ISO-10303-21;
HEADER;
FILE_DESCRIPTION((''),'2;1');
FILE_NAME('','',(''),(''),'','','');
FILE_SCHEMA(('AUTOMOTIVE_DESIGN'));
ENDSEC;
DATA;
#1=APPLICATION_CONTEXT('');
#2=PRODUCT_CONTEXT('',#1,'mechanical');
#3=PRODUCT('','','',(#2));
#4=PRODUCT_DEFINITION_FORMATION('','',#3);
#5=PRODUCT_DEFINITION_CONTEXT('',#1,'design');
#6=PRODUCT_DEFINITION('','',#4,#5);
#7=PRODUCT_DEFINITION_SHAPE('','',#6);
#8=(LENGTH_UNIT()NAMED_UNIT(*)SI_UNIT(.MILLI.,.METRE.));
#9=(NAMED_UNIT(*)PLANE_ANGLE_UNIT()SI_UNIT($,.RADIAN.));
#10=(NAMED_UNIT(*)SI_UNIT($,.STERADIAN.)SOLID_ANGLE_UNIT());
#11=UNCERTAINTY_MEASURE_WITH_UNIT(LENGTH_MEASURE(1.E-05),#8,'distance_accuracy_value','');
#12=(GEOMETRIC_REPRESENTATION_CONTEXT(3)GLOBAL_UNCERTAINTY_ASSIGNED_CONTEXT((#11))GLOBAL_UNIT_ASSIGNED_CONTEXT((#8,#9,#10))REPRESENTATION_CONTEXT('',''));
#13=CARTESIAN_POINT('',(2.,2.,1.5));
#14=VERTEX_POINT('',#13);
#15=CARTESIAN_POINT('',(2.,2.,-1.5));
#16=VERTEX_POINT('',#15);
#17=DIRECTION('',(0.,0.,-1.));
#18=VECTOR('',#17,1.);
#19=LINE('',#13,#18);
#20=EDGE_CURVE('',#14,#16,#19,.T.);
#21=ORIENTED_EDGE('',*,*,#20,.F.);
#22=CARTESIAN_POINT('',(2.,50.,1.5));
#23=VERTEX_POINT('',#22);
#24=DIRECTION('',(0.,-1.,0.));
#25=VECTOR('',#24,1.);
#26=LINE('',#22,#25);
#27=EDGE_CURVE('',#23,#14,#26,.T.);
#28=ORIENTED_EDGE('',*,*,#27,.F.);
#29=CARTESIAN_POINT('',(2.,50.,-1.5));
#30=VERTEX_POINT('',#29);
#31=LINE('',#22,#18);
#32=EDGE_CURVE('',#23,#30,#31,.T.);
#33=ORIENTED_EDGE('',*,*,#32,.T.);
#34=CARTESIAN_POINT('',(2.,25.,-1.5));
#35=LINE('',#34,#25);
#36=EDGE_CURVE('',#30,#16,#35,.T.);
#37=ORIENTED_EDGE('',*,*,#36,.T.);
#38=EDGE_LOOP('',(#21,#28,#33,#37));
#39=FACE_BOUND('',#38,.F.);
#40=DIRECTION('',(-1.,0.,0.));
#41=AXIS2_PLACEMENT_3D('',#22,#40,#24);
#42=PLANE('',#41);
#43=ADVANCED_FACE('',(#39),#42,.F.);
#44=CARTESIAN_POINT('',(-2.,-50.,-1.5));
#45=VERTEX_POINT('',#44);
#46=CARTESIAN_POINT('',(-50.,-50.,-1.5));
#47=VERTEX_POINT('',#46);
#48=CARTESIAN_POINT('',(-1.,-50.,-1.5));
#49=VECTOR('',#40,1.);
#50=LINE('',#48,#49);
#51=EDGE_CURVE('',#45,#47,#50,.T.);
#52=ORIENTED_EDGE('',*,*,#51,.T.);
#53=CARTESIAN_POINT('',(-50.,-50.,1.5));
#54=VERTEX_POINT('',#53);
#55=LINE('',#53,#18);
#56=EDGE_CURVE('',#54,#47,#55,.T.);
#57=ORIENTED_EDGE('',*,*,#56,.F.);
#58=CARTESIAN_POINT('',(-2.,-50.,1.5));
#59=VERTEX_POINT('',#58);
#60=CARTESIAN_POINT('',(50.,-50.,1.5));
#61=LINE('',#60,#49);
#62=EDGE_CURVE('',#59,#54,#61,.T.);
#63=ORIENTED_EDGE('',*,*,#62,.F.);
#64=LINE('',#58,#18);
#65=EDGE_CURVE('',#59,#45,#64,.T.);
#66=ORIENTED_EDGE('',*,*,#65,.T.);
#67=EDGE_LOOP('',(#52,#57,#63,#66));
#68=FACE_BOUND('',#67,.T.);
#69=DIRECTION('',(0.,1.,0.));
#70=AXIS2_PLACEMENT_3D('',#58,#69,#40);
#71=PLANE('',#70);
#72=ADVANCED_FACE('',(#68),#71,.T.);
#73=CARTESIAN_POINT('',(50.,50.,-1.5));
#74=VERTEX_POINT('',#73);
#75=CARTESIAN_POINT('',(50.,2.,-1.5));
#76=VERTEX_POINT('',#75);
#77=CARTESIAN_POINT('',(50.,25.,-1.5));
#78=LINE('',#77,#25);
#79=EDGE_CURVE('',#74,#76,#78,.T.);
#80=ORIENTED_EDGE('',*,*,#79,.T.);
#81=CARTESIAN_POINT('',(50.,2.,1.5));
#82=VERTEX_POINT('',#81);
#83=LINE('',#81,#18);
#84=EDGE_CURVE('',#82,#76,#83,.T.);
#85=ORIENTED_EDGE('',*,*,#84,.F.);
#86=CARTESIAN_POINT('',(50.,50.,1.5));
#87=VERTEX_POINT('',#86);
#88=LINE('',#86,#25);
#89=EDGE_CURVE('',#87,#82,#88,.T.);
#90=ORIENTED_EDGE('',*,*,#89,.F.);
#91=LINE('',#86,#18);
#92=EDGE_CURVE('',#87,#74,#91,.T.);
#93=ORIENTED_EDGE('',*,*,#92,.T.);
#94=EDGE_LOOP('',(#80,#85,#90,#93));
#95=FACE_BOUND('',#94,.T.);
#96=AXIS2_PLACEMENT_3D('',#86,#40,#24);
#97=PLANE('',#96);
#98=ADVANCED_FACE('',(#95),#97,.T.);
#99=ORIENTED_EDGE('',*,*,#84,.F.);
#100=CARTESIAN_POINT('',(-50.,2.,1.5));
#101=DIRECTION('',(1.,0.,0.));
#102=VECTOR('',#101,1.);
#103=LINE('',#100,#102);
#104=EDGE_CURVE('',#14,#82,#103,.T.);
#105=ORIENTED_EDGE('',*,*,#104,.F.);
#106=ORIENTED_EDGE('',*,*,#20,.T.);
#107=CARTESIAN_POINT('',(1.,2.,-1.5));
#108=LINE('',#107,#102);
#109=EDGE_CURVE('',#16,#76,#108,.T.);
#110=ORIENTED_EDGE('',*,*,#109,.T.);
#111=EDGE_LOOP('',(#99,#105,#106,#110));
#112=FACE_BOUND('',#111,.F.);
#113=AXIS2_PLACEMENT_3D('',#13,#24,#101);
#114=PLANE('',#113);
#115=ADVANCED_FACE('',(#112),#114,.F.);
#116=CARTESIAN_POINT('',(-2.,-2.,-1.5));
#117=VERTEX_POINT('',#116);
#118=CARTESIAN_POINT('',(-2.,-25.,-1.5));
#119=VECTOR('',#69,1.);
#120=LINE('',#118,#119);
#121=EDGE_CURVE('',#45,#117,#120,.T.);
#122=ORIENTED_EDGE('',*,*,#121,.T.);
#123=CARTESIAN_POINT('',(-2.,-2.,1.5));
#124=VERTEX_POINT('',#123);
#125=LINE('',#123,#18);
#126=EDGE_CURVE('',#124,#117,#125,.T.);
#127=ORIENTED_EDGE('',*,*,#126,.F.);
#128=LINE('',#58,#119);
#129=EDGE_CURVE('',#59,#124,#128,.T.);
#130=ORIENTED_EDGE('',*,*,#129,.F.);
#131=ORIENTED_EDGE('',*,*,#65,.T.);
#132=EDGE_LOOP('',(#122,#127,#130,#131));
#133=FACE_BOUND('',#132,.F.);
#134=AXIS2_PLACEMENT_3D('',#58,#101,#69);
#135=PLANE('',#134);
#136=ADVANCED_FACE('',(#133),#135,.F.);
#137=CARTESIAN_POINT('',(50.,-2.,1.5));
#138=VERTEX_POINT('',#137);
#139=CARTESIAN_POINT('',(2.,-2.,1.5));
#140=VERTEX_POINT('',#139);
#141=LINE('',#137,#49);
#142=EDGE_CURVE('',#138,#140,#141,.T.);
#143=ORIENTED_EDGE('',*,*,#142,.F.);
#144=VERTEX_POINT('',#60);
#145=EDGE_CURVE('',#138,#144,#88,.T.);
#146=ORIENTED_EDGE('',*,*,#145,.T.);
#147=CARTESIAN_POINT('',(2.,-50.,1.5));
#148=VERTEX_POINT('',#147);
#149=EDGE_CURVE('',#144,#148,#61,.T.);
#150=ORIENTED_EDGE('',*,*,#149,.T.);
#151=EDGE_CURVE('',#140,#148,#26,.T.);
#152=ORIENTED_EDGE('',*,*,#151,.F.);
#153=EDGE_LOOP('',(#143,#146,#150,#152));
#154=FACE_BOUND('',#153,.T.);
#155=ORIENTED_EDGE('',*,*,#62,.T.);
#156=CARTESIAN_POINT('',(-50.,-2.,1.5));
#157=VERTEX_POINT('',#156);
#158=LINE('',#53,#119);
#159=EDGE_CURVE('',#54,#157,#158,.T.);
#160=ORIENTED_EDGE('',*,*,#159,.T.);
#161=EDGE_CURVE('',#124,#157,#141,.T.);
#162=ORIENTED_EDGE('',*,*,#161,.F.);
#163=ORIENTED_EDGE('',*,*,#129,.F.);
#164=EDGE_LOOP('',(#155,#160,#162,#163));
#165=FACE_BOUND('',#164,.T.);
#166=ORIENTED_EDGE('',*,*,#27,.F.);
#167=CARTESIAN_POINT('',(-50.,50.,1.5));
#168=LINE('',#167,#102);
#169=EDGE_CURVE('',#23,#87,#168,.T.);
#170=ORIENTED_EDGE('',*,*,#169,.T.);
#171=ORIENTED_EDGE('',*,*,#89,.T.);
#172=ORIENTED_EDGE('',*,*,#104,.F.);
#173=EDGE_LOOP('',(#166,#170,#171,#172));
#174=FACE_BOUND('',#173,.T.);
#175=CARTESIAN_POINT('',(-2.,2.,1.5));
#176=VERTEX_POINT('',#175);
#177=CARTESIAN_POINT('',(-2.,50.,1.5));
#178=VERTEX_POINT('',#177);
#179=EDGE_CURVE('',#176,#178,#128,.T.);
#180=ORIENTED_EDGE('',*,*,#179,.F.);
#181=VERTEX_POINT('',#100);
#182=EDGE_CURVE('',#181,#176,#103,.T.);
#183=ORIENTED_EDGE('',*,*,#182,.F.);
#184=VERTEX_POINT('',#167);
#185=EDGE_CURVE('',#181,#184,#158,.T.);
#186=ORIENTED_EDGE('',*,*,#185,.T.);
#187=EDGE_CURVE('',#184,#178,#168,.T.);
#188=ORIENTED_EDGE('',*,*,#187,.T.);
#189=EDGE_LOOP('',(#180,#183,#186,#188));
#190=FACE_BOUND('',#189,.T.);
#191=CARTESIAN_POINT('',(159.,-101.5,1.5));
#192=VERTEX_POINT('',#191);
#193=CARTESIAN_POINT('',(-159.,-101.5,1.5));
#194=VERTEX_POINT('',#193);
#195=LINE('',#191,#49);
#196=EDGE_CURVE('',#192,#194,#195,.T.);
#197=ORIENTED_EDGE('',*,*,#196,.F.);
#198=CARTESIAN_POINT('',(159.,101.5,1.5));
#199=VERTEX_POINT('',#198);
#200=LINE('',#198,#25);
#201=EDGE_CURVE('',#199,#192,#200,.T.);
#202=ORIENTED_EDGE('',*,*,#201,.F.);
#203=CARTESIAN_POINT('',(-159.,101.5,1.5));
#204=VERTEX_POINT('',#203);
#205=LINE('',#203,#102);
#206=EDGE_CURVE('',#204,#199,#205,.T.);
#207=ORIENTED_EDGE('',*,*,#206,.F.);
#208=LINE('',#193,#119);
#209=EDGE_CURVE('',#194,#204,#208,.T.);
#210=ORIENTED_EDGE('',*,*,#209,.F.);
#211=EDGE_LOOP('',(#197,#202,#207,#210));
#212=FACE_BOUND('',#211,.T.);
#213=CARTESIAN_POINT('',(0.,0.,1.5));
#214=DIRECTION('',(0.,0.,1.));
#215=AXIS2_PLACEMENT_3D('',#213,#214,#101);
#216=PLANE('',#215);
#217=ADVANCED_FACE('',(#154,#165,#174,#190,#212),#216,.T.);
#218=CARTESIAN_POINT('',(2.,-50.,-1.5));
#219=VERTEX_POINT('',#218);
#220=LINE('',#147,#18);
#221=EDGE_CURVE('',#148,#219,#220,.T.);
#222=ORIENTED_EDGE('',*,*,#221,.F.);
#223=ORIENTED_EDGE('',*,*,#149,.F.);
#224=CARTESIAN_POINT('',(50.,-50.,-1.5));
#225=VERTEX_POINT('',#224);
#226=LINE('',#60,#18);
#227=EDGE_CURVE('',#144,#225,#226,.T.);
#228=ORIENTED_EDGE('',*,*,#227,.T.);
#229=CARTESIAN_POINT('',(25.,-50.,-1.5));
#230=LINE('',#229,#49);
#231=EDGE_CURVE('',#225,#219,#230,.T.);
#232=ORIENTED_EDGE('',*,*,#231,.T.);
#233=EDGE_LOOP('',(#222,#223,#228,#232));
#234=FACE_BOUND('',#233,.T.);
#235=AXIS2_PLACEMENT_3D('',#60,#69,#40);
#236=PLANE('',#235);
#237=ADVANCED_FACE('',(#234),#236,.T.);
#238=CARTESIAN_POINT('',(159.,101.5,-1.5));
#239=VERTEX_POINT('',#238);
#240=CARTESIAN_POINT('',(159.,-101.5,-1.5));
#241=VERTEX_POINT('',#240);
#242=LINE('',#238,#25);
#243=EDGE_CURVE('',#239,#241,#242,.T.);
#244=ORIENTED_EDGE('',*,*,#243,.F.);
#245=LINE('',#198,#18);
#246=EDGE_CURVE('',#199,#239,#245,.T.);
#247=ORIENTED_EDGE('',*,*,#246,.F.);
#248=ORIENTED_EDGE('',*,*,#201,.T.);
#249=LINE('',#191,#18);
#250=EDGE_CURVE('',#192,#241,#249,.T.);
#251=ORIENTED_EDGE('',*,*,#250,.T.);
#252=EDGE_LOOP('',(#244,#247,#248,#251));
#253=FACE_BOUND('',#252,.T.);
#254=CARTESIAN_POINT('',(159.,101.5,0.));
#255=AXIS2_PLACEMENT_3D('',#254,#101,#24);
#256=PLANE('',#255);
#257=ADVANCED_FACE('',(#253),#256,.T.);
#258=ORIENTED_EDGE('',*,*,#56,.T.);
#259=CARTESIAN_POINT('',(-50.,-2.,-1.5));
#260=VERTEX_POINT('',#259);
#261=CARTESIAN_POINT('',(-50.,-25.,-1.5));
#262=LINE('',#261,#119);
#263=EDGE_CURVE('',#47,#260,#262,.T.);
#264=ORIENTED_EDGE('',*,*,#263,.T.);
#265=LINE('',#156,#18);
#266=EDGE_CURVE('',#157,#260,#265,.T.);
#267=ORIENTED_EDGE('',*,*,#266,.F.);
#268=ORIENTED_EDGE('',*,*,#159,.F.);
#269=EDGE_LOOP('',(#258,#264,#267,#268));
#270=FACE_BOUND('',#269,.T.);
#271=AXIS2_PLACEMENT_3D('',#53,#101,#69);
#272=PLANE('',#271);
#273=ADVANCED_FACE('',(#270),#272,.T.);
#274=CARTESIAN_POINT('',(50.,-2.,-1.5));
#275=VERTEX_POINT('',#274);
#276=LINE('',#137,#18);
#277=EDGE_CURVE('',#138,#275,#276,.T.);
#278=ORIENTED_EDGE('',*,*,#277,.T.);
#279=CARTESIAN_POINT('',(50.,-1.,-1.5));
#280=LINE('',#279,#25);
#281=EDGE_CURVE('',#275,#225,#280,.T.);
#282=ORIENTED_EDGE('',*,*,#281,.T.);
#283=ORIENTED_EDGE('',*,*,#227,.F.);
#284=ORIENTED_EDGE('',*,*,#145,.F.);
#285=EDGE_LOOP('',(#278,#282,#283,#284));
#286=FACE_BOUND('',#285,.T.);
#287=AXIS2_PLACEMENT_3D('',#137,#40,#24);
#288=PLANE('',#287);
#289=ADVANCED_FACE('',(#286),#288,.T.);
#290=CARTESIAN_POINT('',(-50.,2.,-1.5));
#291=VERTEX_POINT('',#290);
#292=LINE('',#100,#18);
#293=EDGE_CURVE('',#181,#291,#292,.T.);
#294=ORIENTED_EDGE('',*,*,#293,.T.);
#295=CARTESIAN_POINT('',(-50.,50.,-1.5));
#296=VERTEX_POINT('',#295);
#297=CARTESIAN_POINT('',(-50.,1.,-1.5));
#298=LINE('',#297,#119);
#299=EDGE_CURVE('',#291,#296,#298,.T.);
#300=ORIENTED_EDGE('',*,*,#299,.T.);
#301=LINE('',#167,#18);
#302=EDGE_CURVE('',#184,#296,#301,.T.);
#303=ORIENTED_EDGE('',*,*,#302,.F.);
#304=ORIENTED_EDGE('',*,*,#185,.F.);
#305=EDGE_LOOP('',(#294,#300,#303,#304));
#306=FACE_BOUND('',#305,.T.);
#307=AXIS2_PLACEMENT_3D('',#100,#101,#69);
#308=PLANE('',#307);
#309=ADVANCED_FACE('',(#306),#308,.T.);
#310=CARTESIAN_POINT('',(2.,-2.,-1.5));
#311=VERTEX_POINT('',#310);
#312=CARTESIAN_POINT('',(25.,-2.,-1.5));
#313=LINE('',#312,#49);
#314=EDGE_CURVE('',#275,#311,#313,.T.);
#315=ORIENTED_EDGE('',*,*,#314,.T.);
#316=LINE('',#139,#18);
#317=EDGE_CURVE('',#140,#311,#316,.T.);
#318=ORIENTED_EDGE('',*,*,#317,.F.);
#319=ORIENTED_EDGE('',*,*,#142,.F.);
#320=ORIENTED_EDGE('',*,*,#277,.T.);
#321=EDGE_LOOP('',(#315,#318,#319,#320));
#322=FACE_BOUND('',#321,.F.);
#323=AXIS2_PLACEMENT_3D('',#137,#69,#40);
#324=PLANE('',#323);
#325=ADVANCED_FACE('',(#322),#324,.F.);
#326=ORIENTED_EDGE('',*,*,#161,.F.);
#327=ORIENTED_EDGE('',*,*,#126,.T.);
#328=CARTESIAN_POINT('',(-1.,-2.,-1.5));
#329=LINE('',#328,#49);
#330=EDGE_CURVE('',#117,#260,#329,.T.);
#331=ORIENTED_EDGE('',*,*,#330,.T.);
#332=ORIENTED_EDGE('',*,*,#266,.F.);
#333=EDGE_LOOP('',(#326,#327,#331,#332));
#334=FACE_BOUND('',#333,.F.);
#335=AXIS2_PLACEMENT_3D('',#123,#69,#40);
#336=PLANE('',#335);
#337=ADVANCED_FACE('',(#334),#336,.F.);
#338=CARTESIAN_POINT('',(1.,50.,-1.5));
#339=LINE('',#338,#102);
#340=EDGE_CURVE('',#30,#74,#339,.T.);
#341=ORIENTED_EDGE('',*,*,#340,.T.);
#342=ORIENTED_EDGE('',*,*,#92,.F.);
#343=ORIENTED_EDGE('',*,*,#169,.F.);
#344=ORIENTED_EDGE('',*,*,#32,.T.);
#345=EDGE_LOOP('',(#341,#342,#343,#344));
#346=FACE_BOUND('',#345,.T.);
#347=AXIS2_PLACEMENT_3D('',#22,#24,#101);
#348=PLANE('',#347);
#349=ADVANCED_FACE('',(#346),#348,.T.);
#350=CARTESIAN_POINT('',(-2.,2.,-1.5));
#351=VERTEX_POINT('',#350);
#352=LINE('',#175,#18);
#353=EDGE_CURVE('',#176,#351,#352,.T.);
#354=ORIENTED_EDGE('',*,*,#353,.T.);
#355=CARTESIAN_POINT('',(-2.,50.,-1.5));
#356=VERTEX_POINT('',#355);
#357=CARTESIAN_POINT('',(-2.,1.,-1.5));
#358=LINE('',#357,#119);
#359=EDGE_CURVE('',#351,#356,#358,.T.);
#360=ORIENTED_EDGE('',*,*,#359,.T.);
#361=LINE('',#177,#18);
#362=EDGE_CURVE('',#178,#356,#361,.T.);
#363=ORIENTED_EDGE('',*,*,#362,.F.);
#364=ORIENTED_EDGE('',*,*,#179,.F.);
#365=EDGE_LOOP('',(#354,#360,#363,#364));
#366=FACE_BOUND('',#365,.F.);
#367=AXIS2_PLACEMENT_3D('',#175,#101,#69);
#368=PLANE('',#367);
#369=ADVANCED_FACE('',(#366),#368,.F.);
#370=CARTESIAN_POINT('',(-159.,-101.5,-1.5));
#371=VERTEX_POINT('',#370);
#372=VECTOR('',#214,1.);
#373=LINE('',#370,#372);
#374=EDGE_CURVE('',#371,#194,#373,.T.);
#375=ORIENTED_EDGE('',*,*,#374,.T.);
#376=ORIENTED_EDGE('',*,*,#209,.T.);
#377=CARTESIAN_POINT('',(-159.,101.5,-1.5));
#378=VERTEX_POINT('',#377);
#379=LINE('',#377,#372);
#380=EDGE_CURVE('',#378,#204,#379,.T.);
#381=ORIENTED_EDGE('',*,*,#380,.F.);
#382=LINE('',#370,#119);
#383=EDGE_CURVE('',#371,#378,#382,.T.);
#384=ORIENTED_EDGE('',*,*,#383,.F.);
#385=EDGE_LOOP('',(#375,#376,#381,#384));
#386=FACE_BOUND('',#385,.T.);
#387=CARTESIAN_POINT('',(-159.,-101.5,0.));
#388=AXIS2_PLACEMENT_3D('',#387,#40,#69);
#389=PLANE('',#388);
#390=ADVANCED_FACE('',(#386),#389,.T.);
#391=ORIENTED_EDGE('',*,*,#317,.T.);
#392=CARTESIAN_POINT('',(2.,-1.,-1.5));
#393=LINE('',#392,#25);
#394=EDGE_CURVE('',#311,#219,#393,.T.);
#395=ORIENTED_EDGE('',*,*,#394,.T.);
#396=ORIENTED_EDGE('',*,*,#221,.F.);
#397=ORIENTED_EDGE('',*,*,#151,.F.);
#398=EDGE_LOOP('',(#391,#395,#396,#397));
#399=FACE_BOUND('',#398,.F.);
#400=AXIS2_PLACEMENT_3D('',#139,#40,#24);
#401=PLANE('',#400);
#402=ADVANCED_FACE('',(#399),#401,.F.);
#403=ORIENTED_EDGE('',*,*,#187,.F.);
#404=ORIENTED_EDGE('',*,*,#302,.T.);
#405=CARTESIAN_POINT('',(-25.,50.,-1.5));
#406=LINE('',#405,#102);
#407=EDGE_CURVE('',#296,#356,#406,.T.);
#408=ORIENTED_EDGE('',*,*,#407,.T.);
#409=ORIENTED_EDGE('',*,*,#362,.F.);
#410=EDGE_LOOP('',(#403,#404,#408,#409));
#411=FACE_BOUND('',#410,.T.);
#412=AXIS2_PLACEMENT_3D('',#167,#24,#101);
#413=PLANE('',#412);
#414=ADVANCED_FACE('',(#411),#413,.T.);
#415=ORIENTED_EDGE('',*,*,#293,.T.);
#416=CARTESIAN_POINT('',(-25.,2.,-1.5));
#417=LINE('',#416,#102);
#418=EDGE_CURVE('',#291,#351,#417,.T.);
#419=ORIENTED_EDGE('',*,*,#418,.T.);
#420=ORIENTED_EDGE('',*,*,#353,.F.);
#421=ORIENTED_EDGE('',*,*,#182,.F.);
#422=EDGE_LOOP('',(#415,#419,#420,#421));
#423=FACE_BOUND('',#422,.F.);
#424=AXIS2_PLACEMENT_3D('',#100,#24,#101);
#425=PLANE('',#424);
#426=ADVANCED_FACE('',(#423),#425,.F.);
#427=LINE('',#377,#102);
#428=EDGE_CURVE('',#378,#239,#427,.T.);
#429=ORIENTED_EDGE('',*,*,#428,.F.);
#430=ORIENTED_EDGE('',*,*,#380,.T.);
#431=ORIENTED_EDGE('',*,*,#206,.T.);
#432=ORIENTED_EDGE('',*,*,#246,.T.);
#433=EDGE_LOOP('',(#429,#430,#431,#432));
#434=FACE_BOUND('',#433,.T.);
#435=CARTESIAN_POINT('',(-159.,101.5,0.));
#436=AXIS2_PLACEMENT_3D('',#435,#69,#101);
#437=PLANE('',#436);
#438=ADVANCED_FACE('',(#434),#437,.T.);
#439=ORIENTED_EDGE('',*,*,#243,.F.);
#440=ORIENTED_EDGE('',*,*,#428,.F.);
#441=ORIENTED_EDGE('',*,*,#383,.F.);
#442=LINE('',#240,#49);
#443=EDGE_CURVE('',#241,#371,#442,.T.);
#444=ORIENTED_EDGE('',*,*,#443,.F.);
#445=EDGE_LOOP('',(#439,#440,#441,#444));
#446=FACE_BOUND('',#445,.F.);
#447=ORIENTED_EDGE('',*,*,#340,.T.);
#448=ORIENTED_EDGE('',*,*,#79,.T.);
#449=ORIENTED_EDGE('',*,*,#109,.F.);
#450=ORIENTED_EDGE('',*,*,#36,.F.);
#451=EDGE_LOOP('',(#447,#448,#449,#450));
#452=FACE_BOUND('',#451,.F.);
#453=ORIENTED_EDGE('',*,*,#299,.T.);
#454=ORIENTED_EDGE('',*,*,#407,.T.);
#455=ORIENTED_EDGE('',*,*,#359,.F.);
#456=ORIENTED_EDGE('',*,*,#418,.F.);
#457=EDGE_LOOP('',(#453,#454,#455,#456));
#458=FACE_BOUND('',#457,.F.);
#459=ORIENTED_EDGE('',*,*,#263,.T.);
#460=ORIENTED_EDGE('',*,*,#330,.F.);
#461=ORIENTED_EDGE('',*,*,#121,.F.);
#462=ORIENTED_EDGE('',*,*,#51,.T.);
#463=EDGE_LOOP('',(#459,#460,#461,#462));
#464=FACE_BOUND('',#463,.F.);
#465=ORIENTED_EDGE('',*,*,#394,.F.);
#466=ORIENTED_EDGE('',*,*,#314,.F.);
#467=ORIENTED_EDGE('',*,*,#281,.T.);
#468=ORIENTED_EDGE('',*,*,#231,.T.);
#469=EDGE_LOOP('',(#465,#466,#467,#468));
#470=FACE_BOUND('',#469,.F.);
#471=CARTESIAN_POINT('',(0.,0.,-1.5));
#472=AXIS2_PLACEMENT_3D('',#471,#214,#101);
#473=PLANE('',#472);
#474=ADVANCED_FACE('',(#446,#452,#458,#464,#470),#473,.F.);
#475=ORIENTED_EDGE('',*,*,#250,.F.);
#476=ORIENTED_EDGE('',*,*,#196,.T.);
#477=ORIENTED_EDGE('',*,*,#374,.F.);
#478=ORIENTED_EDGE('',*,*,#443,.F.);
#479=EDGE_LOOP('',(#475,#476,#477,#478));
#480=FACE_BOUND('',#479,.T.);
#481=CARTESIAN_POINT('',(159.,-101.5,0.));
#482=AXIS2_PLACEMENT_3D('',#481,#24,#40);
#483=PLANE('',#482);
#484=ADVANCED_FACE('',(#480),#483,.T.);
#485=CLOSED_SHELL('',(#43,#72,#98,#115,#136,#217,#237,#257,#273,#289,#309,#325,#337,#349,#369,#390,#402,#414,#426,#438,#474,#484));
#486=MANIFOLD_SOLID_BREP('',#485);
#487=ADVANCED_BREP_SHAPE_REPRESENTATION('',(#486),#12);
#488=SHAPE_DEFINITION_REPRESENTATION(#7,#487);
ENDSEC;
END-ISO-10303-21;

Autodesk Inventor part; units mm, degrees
ref_plane "YZ Plane" through (0, 0, 0) normal (1, 0, 0) x (0, 1, 0)
ref_plane "XZ Plane" through (0, 0, 0) normal (0, 1, 0) x (-1, 0, 0)
ref_plane "XY Plane" through (0, 0, 0) normal (0, 0, 1) x (1, 0, 0)
sketch "Szkic1" plane through (0, 0, 0) normal (0, 0, 1) x (1, 0, 0)
  line L0 (-159, 101.5) -> (159, 101.5)
  line L1 (159, 101.5) -> (159, -101.5)
  line L2 (159, -101.5) -> (-159, -101.5)
  line L3 (-159, -101.5) -> (-159, 101.5)
  line L4 (-159, 101.5) -> (159, -101.5) construction
  line L5 (159, 101.5) -> (-159, -101.5) construction
  point P0 (0, 0)
  dimension "d0" = 318
  dimension "d1" = 203
extrude "Wyciągnięcie proste1" add sketch "Szkic1" along normal mid plane 3
sketch "Szkic2" plane through (0, 0, 1.5) normal (0, 0, 1) x (1, 0, 0)
  line L0 (50, -50) -> (-50, -50)
  line L1 (-50, -50) -> (-50, 50)
  line L2 (-50, 50) -> (50, 50)
  line L3 (50, 50) -> (50, -50)
  line L4 (50, -50) -> (-50, 50) construction
  line L5 (-50, -50) -> (50, 50) construction
  line L6 (-2, 50) -> (2, 50)
  line L7 (2, 50) -> (2, -50)
  line L8 (2, -50) -> (-2, -50)
  line L9 (-2, -50) -> (-2, 50)
  line L10 (-50, 2) -> (50, 2)
  line L11 (50, 2) -> (50, -2)
  line L12 (50, -2) -> (-50, -2)
  line L13 (-50, -2) -> (-50, 2)
  line L14 (159, -101.5) -> (159, 101.5) projected
  line L15 (159, 101.5) -> (-159, 101.5) projected
  point P0 (0, 0)
  point P1 (2, -2)
  point P2 (-2, -2)
  point P3 (-50, -2)
  point P4 (-2, -50)
  point P5 (2, 2)
  point P6 (50, 2)
  point P7 (2, 50)
  point P8 (-2, 2)
  dimension "d4" = 100
  dimension "d5" = 100
  dimension "d6" = 4
  dimension "d7" = 100
  dimension "d8" = 48
  dimension "d9" = 4
  dimension "d10" = 48
extrude "Wyciągnięcie proste2" cut sketch "Szkic2" against normal through all contours L0 L7 L12 L3 | L0 L1 L12 L9 | L10 L7 L2 L3 | L10 L1 L2 L9
properties part number "LeftWall_Window"
